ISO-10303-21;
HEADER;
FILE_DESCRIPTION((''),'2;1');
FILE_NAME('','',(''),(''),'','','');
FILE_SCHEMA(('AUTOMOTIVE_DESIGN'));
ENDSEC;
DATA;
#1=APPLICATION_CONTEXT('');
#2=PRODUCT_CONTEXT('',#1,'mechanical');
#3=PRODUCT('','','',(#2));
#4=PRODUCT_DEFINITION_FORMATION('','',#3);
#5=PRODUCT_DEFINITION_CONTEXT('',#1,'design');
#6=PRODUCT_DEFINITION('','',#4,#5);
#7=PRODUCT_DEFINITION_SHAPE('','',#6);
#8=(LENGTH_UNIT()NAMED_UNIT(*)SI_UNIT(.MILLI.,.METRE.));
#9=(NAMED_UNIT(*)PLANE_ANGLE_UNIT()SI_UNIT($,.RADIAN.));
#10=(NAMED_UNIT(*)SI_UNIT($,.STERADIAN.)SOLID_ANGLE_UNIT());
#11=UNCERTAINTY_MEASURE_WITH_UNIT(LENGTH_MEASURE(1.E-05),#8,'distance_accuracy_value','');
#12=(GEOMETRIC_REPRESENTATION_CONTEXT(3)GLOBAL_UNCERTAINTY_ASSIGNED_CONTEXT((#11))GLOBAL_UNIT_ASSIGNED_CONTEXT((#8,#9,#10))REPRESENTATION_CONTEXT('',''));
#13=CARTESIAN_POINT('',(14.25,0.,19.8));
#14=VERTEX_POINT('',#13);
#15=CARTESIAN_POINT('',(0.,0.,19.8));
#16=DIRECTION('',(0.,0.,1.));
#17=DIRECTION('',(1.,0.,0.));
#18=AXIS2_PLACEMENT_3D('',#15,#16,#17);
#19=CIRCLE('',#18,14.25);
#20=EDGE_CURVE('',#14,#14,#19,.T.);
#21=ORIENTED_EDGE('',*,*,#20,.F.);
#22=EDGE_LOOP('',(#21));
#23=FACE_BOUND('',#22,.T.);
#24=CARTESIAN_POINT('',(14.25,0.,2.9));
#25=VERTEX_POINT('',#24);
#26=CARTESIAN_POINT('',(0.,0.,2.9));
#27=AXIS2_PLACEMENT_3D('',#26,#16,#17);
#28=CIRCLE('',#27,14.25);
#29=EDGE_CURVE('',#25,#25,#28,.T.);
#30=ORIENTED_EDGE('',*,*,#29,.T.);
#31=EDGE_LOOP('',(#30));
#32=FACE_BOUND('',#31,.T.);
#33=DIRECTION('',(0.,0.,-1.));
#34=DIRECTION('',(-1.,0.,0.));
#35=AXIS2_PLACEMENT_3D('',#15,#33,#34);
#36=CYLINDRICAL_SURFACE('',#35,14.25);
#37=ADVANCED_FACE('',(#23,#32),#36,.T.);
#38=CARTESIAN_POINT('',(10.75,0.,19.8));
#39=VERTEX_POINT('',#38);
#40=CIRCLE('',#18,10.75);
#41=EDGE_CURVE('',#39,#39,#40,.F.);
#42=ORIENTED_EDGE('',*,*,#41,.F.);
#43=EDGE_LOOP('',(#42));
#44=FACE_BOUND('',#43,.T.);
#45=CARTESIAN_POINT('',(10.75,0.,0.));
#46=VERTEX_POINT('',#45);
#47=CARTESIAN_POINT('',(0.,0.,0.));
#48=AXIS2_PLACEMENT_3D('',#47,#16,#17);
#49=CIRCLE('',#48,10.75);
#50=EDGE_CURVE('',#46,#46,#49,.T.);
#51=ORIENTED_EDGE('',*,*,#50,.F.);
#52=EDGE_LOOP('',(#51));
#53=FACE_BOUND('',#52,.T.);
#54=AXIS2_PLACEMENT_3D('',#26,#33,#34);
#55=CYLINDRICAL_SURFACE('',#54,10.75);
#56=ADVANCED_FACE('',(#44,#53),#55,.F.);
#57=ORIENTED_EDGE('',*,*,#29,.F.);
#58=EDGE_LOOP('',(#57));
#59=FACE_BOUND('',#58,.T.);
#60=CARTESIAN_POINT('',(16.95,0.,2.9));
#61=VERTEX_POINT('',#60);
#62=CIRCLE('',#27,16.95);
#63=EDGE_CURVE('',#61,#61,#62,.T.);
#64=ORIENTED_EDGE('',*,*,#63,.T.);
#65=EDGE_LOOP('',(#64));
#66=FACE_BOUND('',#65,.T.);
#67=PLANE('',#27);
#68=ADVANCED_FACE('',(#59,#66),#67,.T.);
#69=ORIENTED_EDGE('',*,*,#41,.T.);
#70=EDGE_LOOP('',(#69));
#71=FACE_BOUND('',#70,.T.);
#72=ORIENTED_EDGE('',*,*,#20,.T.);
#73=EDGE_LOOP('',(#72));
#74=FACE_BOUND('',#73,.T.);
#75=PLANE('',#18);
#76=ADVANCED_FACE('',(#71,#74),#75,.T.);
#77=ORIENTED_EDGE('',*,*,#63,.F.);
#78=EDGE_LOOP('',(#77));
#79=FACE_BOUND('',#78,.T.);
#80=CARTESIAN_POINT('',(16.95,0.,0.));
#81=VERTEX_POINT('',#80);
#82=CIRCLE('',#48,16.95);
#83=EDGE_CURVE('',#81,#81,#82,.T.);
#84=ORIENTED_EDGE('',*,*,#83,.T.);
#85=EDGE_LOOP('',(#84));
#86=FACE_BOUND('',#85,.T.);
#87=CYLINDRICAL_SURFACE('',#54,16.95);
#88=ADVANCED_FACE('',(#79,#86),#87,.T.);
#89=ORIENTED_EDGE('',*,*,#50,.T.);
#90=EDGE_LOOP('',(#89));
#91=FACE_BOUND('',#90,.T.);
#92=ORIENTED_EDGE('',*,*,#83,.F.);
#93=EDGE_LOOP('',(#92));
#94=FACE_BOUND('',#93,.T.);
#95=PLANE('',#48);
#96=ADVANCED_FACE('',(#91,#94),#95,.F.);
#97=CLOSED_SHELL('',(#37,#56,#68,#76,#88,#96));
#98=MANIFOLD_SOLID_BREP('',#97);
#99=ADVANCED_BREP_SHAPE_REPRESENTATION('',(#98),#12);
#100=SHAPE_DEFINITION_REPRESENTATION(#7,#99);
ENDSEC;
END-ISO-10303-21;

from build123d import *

# Parameters (mm, degrees)
SKETCH1_R           = 16.95
SKETCH1_R_2         = 14.25
SKETCH1_R_3         = 10.75
BOSS_EXTRUDE1_DEPTH = 2.9
SKETCH2_R           = 14.25
SKETCH2_R_2         = 10.75
BOSS_EXTRUDE2_DEPTH = 16.9


with BuildPart() as part:
    # Sketch1 → Boss-Extrude1 (new body)
    # profile 1 of 2: a face of its own
    with BuildSketch(Plane.XY):
        Circle(SKETCH1_R)
        Circle(SKETCH1_R_2, mode=Mode.SUBTRACT)
    # profile 2 of 2: a face of its own
    with BuildSketch(Plane.XY):
        Circle(SKETCH1_R_2)
        Circle(SKETCH1_R_3, mode=Mode.SUBTRACT)
    extrude(amount=BOSS_EXTRUDE1_DEPTH)

    # Sketch2 → Boss-Extrude2 (add)
    with BuildSketch(Plane.XY.offset(2.9)):
        Circle(SKETCH2_R)
        Circle(SKETCH2_R_2, mode=Mode.SUBTRACT)
    extrude(amount=BOSS_EXTRUDE2_DEPTH)


solid = part.part
